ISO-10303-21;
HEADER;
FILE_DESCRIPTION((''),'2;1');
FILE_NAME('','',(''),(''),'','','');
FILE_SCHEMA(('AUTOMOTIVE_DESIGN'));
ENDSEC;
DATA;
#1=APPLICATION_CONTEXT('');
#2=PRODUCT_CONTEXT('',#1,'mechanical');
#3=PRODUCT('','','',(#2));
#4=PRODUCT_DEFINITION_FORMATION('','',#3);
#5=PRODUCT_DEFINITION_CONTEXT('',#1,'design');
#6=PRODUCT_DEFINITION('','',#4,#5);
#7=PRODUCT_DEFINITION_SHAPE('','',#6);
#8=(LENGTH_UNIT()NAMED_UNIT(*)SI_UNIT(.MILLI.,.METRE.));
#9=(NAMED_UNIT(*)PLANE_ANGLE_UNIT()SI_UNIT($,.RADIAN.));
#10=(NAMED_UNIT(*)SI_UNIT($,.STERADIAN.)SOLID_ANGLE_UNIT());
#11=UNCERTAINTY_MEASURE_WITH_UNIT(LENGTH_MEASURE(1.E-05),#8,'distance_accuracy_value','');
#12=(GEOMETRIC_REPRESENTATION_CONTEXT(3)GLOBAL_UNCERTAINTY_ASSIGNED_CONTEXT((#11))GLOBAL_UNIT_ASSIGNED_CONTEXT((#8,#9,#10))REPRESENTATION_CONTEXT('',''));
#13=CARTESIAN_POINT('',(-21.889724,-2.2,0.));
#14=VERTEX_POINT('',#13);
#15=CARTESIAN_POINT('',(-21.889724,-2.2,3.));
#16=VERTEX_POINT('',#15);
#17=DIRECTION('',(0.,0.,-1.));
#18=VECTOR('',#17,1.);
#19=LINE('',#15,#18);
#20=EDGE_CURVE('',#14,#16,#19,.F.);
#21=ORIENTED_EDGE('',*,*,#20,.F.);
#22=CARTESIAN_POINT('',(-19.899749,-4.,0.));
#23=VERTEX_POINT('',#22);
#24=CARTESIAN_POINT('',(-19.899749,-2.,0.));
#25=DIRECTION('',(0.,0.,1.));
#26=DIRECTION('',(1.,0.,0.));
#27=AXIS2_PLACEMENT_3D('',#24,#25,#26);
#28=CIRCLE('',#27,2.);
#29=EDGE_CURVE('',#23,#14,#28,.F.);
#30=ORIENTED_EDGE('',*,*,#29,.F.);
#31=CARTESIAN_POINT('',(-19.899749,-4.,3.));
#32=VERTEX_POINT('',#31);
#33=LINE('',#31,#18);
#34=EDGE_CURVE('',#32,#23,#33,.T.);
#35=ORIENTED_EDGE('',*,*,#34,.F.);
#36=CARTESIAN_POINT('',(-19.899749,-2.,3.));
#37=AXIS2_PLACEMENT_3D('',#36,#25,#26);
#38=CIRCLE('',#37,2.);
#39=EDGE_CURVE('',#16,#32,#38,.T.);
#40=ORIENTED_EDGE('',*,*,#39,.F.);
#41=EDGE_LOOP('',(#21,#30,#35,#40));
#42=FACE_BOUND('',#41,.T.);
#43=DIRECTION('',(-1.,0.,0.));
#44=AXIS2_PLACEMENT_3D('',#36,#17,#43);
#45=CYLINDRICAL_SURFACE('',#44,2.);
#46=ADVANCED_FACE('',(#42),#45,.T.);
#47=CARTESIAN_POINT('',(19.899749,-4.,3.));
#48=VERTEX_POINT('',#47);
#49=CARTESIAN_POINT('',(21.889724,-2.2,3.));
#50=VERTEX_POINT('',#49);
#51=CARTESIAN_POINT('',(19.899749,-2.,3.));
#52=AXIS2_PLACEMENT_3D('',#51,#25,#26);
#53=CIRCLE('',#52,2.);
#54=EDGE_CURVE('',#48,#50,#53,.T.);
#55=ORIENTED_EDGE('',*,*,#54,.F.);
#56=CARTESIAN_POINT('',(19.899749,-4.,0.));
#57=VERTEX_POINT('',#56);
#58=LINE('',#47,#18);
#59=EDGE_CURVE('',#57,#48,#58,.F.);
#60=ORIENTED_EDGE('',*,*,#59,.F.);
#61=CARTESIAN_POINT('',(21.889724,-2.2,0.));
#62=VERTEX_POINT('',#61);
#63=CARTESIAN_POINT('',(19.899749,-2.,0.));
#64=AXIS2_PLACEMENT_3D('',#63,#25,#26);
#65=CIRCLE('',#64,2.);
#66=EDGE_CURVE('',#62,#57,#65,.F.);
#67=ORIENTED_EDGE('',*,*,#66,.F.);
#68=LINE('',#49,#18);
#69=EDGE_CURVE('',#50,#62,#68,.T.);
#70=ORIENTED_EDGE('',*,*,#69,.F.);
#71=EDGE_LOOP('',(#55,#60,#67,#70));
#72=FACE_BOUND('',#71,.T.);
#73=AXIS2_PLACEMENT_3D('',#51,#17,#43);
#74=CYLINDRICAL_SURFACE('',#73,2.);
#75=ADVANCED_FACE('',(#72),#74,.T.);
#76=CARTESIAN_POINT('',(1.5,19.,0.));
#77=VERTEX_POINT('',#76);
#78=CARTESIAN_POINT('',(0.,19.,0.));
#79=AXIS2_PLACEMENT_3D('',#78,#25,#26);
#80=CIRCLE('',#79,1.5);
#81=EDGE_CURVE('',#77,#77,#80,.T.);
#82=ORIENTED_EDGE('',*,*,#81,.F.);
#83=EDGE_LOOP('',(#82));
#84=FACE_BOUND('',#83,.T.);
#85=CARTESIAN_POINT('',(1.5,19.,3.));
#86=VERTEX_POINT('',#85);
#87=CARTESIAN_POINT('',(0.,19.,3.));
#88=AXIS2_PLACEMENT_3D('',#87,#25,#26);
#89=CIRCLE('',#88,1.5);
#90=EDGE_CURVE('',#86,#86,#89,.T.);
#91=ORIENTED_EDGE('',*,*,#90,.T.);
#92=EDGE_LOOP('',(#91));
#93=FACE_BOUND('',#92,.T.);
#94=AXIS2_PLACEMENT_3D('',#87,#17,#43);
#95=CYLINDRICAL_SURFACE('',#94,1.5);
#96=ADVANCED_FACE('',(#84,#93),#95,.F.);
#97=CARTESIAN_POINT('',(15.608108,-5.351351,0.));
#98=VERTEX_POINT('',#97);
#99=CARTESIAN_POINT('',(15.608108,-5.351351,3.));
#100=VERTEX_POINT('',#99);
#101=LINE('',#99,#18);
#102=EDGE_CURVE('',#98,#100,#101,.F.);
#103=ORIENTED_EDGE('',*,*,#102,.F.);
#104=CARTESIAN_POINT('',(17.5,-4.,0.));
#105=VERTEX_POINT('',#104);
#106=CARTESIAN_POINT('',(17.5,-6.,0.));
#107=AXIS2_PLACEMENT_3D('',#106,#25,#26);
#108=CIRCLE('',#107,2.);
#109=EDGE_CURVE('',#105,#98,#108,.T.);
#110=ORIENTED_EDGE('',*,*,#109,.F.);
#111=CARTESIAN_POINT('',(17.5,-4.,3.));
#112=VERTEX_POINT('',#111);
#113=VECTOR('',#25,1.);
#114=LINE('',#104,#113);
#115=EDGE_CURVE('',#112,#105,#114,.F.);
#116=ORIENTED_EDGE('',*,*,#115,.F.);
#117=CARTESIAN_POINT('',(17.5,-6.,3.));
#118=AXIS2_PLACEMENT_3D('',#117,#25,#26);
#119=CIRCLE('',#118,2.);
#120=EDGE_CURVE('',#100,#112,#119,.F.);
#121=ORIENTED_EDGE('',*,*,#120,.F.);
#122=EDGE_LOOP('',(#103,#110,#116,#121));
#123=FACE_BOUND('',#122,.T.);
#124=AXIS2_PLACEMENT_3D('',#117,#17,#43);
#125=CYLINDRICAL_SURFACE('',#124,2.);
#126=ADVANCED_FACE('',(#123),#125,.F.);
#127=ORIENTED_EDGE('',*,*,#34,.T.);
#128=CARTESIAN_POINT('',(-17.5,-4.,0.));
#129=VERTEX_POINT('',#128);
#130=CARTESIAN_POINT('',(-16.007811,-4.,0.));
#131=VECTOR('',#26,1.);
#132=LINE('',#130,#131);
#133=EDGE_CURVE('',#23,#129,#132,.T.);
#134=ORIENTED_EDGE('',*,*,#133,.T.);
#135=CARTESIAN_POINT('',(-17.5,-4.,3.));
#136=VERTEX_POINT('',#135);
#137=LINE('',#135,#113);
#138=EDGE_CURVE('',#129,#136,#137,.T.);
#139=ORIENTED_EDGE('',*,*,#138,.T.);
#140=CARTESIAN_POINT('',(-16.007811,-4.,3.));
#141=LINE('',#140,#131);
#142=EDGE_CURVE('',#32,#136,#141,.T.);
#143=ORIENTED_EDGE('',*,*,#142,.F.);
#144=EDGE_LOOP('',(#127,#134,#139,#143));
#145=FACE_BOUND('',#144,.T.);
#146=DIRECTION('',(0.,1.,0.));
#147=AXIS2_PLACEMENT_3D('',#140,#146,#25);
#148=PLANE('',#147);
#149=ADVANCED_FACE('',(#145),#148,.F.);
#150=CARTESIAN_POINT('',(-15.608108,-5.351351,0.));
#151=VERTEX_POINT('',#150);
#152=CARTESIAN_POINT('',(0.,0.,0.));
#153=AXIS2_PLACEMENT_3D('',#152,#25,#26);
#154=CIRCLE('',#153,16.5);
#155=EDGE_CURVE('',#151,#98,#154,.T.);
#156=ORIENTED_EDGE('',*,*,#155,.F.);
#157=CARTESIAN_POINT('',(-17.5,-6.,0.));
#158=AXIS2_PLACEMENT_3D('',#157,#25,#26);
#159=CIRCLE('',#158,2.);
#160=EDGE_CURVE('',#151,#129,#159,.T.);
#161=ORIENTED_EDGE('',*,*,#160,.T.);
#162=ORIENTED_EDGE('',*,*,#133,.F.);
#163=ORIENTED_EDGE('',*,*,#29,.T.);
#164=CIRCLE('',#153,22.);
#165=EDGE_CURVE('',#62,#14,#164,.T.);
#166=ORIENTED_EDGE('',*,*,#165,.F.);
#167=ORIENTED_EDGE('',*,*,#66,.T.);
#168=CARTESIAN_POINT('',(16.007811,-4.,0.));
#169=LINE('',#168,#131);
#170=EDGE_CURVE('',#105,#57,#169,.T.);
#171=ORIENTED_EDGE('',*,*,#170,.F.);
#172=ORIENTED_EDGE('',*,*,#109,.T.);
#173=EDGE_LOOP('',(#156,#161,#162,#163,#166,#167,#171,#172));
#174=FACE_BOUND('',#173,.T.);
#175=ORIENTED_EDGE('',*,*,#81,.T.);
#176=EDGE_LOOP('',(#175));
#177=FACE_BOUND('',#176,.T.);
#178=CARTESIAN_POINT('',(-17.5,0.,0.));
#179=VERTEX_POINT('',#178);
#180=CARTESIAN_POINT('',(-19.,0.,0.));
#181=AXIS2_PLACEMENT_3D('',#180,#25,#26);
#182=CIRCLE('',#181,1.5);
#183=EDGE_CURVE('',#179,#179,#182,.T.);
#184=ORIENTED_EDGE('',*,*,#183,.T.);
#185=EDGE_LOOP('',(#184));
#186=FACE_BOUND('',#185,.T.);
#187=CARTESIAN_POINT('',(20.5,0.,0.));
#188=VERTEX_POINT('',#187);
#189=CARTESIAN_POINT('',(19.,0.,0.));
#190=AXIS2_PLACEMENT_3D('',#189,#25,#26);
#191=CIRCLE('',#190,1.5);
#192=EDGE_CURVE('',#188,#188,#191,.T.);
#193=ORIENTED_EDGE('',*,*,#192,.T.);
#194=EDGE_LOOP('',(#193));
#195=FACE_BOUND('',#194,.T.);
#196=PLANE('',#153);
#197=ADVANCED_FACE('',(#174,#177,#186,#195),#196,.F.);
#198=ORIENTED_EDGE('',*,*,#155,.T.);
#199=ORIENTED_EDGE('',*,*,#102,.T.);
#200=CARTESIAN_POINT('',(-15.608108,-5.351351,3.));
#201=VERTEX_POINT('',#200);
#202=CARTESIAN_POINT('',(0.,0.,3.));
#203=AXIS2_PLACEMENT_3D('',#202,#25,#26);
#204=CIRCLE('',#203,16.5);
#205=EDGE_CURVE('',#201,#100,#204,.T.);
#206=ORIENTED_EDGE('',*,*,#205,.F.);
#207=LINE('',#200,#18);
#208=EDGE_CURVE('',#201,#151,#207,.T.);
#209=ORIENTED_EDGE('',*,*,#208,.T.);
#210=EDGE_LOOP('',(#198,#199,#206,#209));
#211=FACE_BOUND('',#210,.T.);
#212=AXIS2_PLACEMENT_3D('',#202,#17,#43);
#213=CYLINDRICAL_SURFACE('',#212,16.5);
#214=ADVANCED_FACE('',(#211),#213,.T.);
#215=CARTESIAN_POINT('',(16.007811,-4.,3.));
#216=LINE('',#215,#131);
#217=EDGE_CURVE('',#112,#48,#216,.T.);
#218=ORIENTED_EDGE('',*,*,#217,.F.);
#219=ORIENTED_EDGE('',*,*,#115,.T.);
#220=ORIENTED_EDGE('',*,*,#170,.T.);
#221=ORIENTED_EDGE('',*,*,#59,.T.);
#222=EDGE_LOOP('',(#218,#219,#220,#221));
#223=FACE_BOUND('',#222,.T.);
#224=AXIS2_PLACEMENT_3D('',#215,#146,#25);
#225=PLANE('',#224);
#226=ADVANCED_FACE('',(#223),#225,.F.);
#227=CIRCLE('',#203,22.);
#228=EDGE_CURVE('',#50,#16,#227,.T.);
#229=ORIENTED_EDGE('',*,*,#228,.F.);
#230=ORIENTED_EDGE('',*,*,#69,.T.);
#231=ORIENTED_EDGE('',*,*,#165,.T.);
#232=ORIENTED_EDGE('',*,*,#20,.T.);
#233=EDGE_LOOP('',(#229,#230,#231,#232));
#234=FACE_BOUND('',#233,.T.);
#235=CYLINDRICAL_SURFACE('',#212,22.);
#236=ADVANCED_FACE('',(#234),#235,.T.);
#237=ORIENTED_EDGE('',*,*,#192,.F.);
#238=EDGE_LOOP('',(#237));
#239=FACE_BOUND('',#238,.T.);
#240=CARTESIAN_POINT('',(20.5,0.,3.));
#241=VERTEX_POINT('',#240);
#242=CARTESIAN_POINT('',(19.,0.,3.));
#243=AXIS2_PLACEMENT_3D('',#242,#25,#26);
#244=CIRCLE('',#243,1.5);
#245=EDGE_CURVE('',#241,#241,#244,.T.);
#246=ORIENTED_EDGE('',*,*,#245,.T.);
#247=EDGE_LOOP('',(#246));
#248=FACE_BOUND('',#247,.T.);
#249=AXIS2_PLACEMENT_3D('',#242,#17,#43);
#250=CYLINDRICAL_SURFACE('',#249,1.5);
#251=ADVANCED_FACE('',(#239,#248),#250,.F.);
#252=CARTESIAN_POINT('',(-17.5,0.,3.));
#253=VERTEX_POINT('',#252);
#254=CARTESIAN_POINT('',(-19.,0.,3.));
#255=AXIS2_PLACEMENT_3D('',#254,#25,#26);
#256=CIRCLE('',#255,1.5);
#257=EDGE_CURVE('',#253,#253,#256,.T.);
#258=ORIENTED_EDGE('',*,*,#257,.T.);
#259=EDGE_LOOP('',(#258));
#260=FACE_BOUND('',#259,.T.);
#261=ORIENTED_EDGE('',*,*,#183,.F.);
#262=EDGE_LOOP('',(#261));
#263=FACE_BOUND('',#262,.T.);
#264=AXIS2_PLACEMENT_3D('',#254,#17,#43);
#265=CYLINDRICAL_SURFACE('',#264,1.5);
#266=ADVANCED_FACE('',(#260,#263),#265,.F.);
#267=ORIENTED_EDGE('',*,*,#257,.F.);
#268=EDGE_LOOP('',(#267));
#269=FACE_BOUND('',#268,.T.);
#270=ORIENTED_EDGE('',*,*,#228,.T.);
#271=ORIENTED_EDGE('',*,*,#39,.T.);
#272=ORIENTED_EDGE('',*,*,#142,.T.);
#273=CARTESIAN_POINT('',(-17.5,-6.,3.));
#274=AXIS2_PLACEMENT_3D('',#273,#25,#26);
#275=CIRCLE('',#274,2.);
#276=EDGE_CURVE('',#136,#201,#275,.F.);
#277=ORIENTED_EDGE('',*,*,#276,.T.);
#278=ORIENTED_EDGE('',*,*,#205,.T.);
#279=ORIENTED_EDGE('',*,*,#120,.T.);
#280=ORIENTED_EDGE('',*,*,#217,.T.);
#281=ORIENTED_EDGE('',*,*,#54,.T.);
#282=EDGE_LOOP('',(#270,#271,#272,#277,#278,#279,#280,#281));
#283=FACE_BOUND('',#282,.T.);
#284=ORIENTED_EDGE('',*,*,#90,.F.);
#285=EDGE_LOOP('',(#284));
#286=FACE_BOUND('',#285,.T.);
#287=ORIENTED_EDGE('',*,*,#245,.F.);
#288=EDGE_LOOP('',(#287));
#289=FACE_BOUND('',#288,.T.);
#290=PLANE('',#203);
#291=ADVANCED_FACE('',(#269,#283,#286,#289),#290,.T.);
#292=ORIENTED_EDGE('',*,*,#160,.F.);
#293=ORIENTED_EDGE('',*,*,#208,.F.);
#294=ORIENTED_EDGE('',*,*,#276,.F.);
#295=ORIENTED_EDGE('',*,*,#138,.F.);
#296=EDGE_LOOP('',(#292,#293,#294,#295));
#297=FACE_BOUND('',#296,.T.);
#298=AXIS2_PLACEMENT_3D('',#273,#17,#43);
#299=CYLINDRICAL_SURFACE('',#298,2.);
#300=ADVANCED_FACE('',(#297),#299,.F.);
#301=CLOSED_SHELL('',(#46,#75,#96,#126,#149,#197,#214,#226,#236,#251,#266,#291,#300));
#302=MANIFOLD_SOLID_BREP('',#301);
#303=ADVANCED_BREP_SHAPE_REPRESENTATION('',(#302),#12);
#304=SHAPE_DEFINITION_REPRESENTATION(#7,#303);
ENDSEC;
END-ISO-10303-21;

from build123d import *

# Parameters (mm, degrees)
SKETCH_1_R      = 1.5
EXTRUDE_1_DEPTH = 3
FILLET_1_R      = 2


with BuildPart() as part:
    # 草图1 → 凸台-拉伸1 (new body)
    with BuildSketch(Plane.XY):
        with BuildLine():
            Line((-16.007810594, -4), (-21.633307653, -4))
            ThreePointArc((-21.633307653, -4), (0, 22), (21.633307653, -4))
            Line((21.633307653, -4), (16.007810594, -4))
            ThreePointArc((16.007810594, -4), (0, -16.5), (-16.007810594, -4))
        make_face()
        with Locations((-19, 0)):
            Circle(SKETCH_1_R, mode=Mode.SUBTRACT)
        with Locations((0, 19)):
            Circle(SKETCH_1_R, mode=Mode.SUBTRACT)
        with Locations((19, 0)):
            Circle(SKETCH_1_R, mode=Mode.SUBTRACT)
    extrude(amount=EXTRUDE_1_DEPTH)

    # 圆角1
    fillet_1_edges = [part.edges().sort_by_distance(p)[0] for p in [
        (-16.007810594, -4, 1.5),
        (-21.633307653, -4, 1.5),
        (21.633307653, -4, 1.5),
        (16.007810594, -4, 1.5),
    ]]
    fillet(fillet_1_edges, radius=FILLET_1_R)


solid = part.part
